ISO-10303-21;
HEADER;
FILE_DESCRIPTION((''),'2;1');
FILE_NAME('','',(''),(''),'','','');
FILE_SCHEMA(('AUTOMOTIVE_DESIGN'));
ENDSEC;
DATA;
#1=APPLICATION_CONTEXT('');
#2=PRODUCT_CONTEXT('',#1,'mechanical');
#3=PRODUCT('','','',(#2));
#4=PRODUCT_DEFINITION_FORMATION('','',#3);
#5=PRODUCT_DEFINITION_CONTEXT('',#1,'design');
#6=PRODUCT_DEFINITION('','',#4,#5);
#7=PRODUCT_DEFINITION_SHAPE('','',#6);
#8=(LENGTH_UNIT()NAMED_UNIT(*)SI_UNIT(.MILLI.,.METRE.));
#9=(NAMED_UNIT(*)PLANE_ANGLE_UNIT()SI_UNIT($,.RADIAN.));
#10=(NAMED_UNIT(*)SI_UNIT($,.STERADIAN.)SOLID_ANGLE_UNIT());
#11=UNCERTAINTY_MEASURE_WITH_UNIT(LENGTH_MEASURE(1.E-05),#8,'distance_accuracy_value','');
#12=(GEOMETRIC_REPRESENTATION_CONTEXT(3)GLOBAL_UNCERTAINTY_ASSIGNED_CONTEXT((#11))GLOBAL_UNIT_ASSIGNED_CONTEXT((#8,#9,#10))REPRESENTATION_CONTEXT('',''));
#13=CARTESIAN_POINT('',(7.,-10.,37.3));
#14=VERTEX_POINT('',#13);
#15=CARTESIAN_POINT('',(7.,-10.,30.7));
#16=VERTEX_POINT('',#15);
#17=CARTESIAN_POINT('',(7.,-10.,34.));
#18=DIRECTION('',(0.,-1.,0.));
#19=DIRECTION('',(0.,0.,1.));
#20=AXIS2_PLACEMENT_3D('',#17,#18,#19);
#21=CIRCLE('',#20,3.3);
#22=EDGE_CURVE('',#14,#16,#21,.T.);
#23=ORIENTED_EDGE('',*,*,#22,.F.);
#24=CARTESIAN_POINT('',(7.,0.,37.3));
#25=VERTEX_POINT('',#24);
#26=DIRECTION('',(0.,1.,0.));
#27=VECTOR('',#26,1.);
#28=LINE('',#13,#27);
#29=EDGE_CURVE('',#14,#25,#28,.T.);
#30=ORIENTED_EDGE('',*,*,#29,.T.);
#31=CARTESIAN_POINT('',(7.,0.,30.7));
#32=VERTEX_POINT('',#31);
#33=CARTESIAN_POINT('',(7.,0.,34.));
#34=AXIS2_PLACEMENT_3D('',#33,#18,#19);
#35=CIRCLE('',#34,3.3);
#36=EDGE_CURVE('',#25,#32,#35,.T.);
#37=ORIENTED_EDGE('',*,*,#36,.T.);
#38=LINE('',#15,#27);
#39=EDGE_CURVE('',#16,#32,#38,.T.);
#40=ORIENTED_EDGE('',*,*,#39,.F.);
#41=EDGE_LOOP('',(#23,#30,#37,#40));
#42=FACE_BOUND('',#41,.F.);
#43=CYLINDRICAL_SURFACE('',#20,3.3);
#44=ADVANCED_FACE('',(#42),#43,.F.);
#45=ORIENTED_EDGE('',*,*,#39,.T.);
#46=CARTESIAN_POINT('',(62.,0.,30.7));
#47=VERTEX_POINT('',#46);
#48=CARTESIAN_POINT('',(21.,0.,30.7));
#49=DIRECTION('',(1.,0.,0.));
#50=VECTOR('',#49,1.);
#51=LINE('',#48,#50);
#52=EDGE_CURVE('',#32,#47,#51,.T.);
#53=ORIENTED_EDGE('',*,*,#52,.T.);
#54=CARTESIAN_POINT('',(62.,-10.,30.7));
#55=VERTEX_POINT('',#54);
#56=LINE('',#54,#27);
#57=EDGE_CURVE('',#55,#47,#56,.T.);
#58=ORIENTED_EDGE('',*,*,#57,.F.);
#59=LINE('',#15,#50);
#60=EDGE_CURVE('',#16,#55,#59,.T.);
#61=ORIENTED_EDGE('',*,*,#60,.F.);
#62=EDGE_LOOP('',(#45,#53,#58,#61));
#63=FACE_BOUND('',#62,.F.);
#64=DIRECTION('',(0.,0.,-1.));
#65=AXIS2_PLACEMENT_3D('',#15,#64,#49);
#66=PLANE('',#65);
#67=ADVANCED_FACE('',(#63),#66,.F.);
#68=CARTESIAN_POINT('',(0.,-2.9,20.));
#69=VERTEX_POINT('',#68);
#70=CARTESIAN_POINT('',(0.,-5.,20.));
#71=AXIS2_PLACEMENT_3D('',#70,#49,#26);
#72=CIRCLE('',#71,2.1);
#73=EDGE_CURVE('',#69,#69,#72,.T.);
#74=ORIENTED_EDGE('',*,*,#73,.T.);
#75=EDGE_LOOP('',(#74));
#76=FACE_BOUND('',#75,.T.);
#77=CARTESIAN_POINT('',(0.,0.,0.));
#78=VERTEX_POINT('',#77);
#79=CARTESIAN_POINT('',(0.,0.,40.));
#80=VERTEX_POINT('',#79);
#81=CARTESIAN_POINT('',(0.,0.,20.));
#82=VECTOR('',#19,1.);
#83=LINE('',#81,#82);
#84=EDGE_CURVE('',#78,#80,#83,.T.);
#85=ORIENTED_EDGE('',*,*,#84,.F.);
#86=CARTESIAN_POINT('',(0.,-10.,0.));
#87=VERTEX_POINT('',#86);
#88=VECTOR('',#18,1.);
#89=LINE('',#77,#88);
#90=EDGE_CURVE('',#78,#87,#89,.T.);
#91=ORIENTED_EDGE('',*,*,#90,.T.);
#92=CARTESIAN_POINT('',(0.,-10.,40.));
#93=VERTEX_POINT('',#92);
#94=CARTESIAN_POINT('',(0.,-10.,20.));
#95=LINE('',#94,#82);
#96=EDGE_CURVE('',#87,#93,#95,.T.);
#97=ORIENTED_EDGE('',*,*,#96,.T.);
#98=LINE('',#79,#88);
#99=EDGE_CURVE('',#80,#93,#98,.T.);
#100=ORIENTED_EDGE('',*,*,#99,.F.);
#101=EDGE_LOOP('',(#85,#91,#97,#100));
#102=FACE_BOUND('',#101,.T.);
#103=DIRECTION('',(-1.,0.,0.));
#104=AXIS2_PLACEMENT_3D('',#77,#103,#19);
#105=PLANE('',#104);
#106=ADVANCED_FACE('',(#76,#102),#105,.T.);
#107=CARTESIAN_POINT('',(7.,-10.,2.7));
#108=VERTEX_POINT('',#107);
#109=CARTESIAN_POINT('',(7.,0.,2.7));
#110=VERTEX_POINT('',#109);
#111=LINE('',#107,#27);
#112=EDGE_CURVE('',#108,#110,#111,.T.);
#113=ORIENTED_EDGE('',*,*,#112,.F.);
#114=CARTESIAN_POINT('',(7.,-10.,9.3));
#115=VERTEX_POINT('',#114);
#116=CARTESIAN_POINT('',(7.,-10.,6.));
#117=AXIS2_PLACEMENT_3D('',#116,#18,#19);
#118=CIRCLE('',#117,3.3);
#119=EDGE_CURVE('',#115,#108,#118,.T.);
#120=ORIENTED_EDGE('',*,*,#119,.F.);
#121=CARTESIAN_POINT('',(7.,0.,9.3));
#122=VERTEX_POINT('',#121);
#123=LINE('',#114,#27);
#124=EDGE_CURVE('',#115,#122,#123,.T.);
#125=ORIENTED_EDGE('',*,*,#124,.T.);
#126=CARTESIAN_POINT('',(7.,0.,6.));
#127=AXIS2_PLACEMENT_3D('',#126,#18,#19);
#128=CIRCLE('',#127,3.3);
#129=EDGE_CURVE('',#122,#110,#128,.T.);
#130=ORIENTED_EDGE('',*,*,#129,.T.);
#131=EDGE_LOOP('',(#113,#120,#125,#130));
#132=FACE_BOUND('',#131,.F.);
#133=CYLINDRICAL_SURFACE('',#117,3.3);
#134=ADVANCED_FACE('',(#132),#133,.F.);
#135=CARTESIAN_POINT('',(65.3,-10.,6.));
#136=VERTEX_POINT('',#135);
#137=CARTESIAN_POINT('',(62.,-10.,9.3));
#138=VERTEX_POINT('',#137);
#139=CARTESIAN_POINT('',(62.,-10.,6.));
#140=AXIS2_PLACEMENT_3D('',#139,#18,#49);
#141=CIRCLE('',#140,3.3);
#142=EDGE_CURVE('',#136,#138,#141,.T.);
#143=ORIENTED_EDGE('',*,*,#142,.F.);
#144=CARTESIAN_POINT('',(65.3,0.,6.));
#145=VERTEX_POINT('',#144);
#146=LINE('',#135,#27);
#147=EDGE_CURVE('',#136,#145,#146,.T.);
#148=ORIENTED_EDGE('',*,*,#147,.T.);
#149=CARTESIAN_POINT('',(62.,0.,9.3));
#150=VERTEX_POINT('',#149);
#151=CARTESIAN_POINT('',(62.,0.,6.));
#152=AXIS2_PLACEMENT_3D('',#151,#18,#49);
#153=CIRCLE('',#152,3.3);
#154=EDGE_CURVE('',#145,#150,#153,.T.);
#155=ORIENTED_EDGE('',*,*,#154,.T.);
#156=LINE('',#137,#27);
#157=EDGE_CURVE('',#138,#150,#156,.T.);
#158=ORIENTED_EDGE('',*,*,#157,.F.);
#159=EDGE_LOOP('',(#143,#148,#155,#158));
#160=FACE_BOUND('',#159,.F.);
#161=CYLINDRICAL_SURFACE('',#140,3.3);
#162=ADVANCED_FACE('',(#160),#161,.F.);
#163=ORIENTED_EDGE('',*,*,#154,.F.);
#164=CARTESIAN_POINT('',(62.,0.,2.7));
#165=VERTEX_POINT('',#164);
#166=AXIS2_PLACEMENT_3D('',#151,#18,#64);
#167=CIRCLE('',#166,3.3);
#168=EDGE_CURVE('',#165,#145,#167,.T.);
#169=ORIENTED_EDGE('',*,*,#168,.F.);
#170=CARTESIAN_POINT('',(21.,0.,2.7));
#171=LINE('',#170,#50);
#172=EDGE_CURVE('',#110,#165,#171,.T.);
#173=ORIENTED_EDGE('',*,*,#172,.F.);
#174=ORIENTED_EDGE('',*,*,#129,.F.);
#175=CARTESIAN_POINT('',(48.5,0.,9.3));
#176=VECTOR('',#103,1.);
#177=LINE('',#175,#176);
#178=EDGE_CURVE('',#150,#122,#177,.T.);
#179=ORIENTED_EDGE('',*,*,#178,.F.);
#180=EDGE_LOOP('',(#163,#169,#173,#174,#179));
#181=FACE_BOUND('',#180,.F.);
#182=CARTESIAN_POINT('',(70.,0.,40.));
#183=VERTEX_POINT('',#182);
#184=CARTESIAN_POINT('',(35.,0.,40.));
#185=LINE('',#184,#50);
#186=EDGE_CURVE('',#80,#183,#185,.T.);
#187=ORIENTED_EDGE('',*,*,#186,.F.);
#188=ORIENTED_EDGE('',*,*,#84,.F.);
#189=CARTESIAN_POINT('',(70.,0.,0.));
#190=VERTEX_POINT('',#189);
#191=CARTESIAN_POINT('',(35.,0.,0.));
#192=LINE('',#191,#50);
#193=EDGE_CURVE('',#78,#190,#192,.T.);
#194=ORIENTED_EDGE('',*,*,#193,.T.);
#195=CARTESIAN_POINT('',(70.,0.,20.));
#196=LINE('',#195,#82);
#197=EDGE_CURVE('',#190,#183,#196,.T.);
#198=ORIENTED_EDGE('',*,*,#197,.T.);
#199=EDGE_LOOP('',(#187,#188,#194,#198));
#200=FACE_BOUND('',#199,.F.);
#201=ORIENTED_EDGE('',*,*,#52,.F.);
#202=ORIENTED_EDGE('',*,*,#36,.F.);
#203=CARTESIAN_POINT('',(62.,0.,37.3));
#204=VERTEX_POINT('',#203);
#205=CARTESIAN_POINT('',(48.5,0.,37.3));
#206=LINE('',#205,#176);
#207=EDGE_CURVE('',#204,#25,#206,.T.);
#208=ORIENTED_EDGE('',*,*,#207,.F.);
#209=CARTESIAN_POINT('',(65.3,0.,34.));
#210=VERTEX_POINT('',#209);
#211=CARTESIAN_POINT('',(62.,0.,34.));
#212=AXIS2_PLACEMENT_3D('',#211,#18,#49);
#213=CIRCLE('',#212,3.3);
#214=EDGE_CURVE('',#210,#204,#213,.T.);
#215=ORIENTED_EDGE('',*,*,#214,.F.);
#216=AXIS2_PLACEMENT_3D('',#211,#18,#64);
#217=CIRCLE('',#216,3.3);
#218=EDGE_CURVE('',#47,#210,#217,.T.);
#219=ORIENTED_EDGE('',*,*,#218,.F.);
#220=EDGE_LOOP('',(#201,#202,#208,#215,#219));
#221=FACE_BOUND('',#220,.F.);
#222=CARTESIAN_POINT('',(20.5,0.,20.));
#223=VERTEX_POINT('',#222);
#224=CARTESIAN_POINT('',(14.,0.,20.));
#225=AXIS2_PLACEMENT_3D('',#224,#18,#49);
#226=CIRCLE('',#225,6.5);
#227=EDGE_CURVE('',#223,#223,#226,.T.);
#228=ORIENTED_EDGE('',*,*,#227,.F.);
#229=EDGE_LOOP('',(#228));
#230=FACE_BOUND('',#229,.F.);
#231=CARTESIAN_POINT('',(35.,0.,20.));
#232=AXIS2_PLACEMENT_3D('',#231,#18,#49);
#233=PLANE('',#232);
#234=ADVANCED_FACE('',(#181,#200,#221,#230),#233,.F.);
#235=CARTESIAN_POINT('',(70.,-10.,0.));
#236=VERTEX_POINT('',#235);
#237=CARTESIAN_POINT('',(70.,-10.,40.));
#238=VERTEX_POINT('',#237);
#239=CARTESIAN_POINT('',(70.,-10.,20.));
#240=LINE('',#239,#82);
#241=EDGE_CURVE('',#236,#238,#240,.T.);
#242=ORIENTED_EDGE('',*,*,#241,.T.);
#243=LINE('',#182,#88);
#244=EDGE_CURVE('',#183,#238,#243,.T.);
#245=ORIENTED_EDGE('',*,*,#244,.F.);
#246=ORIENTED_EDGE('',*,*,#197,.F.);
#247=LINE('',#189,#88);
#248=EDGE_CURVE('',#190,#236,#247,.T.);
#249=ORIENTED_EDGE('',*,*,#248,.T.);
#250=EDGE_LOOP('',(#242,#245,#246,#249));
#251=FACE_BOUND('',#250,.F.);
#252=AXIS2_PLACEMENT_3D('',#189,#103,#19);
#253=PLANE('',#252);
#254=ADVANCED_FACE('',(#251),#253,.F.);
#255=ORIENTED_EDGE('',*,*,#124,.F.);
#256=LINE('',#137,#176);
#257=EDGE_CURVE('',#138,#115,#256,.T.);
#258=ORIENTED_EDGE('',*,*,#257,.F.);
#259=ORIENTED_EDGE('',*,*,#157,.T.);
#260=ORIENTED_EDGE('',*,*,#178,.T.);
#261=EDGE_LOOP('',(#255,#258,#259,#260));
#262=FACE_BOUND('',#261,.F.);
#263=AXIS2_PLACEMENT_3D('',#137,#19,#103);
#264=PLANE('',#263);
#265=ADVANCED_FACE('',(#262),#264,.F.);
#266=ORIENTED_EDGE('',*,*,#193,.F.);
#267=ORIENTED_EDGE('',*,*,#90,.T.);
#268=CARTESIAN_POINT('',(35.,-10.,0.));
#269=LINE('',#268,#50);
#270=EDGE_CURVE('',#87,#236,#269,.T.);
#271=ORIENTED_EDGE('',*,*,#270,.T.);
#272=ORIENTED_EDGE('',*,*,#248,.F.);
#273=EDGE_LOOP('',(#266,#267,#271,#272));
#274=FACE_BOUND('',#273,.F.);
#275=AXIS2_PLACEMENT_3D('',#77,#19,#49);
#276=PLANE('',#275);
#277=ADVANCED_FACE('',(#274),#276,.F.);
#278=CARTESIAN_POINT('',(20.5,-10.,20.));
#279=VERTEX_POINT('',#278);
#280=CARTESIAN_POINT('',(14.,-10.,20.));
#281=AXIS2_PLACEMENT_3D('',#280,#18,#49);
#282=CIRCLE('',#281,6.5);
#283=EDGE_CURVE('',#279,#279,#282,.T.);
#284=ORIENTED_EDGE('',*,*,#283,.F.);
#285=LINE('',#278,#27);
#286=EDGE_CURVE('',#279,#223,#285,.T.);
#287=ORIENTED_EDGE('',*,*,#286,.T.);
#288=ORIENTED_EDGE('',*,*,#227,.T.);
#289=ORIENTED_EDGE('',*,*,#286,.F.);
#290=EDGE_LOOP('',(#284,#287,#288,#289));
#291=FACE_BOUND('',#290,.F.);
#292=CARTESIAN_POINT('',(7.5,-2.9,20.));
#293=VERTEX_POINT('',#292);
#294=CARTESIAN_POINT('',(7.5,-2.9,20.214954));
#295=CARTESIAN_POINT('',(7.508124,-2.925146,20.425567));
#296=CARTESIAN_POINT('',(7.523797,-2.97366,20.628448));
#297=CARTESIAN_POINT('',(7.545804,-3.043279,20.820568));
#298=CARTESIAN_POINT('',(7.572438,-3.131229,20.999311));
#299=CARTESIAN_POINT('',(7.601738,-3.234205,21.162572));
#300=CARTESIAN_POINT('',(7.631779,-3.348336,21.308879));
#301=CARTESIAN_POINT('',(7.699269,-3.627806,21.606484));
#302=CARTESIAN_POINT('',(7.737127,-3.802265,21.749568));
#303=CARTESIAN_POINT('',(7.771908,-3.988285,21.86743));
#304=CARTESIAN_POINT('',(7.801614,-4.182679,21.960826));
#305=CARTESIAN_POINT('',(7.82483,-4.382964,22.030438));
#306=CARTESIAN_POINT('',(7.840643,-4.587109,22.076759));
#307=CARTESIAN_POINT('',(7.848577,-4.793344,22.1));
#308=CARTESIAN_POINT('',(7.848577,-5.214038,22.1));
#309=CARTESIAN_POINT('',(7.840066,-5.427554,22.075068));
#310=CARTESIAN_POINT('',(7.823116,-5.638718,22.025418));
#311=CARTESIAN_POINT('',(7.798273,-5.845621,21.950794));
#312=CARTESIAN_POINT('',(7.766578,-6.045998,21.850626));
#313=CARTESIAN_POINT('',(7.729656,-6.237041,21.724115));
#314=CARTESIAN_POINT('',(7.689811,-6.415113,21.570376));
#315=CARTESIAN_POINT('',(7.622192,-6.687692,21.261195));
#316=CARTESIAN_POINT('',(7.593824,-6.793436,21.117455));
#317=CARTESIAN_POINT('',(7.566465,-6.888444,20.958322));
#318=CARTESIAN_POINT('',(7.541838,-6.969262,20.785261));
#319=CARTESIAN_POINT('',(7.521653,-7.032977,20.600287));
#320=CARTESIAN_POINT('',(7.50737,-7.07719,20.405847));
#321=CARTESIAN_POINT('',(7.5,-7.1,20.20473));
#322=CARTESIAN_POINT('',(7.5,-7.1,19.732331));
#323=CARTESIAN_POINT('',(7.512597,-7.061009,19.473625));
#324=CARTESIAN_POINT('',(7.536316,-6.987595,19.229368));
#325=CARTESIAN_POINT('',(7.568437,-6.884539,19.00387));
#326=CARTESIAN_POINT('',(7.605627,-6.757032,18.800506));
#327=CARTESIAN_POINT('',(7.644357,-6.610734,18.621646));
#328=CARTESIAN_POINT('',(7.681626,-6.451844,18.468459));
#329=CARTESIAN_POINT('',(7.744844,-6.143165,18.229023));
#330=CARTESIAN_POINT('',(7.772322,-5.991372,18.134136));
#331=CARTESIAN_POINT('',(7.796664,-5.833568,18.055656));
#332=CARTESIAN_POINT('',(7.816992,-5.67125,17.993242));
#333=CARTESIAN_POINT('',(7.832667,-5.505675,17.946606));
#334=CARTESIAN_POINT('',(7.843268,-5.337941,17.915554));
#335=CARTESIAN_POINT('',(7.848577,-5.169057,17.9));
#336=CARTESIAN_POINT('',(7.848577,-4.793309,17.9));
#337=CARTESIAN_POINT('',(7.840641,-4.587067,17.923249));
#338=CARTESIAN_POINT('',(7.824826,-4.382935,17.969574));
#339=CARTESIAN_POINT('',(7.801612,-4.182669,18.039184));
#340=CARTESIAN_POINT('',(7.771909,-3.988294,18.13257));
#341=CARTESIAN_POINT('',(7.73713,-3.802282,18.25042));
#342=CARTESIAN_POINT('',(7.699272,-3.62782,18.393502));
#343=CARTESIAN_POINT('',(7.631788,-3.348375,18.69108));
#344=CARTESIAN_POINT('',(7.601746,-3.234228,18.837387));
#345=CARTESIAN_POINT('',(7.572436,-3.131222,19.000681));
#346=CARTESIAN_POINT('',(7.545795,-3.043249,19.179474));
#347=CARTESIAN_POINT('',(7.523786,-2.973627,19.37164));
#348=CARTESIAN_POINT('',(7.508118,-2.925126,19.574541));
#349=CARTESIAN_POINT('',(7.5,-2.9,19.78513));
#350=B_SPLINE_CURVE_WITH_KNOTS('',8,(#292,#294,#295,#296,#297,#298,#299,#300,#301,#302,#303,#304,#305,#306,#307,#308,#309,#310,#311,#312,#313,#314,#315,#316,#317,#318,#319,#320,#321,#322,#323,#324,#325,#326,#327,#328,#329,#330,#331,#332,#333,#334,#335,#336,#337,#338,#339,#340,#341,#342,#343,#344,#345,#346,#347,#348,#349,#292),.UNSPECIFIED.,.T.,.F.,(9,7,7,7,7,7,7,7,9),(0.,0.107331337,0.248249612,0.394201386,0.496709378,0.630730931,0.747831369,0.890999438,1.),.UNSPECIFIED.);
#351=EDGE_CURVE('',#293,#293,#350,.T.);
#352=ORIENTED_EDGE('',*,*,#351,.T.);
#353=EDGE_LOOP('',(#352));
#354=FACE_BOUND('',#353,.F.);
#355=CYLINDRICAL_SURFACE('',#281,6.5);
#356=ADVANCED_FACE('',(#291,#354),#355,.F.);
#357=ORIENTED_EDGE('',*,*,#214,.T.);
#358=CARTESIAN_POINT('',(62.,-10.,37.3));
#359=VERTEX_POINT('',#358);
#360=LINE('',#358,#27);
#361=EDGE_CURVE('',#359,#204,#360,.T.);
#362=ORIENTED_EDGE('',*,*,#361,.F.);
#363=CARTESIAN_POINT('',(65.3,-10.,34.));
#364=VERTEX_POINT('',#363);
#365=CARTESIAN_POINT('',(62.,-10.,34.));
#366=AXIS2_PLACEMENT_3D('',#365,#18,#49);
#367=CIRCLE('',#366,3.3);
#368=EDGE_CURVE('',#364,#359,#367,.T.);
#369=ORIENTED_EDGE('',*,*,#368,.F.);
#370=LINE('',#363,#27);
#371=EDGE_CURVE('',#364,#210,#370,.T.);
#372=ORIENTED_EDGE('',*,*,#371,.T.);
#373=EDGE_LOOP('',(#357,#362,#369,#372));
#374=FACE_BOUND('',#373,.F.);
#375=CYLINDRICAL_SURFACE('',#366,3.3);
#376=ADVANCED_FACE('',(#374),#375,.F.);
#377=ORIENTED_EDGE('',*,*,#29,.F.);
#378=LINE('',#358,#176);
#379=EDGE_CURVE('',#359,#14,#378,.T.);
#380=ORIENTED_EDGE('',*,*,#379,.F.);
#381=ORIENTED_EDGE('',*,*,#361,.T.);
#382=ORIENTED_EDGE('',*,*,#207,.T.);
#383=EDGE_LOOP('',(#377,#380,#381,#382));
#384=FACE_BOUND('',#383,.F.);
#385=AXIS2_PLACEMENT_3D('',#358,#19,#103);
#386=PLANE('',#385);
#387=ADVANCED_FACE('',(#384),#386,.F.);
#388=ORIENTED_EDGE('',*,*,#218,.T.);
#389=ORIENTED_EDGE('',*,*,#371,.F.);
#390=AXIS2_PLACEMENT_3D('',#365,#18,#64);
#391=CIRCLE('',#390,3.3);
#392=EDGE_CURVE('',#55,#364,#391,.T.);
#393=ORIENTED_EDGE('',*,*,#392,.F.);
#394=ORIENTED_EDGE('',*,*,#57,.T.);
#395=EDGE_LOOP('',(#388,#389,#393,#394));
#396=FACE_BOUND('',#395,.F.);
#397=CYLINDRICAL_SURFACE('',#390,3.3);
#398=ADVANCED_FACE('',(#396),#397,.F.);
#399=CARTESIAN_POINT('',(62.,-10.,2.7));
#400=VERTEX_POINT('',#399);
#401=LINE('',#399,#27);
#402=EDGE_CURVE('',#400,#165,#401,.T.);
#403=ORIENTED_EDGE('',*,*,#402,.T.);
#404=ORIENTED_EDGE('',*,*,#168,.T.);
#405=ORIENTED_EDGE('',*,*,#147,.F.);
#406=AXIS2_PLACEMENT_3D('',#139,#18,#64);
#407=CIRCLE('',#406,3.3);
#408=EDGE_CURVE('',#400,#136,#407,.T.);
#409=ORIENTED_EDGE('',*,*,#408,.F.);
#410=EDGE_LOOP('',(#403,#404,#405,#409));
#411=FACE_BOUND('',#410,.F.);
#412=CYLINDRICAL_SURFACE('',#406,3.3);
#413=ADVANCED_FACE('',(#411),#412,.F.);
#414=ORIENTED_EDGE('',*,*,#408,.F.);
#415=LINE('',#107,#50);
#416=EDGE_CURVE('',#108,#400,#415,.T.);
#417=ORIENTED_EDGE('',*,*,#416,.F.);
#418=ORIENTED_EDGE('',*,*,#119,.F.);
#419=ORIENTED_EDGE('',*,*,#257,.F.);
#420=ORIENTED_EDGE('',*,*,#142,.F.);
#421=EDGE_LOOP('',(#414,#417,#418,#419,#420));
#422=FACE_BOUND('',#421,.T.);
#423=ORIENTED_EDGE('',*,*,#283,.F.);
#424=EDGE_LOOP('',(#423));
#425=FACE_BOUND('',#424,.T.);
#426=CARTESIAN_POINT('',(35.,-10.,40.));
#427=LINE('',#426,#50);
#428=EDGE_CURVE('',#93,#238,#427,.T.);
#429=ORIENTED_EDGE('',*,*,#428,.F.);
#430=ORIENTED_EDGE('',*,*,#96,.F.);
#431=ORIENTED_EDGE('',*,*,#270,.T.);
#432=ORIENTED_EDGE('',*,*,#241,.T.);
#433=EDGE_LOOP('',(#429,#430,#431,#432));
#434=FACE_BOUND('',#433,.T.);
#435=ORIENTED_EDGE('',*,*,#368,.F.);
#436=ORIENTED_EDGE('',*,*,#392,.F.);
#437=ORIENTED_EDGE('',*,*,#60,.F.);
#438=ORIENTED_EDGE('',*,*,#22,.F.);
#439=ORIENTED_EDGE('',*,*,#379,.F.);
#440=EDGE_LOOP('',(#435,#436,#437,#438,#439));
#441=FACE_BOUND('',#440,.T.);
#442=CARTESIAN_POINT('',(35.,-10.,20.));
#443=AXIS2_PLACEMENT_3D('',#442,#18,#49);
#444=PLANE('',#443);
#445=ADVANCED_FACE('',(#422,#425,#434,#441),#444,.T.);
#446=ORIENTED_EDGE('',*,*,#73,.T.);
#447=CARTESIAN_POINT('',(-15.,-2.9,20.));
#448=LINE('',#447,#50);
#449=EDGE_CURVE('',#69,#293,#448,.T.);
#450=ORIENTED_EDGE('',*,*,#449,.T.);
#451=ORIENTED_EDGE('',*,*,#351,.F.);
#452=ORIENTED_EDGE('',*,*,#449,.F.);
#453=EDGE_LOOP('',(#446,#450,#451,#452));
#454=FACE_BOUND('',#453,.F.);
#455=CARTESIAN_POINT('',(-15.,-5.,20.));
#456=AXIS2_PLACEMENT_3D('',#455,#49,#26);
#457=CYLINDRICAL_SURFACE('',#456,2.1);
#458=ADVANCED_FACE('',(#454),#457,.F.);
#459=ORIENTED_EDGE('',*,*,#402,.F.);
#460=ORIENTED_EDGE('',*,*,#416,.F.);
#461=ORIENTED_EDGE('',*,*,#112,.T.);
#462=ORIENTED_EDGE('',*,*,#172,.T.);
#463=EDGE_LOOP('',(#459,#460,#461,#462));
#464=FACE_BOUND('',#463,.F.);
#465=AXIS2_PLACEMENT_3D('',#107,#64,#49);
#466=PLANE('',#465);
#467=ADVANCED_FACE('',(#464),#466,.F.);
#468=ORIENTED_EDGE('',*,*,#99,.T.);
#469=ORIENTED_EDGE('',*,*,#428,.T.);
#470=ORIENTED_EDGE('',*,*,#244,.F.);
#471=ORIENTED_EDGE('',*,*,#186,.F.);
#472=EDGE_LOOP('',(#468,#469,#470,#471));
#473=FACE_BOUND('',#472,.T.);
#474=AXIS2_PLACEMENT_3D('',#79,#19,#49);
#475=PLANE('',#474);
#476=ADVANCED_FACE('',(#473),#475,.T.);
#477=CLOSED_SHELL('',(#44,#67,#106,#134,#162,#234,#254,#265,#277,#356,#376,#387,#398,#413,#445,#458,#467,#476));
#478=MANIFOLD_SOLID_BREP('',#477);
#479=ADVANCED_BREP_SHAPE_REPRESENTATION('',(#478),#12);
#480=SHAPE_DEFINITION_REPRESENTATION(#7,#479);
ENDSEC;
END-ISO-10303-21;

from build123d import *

# Parameters (mm, degrees)
F0_W     = 70
F0_H     = 40
F1_DEPTH = 10
F2_R     = 6.5
F3_DEPTH = 25
F5_D     = 4.2
F5_DEPTH = 15
F5_TIP   = 1.2618073


with BuildPart() as f1:
    # F0 (on Front) → F1 (new body)
    with BuildSketch(Plane.XZ):
        with Locations((35, 20)):
            Rectangle(F0_W, F0_H)
    extrude(amount=F1_DEPTH)

    # F2 (on face) → F3 (cut)
    with BuildSketch(Plane.XZ.offset(10)):
        with BuildLine():
            Line((62, 30.7), (62, 37.3))
            ThreePointArc((62, 37.3), (58.7, 34), (62, 30.7))
        make_face()
        with BuildLine():
            ThreePointArc((62, 30.7), (64.3334523779, 31.6665476221), (65.3, 34))
            ThreePointArc((65.3, 34), (64.3334523779, 36.3334523779), (62, 37.3))
            Line((62, 37.3), (62, 30.7))
        make_face()
        with BuildLine():
            ThreePointArc((10.3, 34), (9.3334523779, 36.3334523779), (7, 37.3))
            ThreePointArc((7, 37.3), (3.7, 34), (7, 30.7))
            ThreePointArc((7, 30.7), (9.3334523779, 31.6665476221), (10.3, 34))
        make_face()
        with BuildLine():
            ThreePointArc((7, 2.7), (9.3334523779, 3.6665476221), (10.3, 6))
            ThreePointArc((10.3, 6), (9.3334523779, 8.3334523779), (7, 9.3))
            ThreePointArc((7, 9.3), (3.7, 6), (7, 2.7))
        make_face()
        with BuildLine():
            Line((62, 2.7), (62, 9.3))
            ThreePointArc((62, 9.3), (58.7, 6), (62, 2.7))
        make_face()
        with BuildLine():
            ThreePointArc((65.3, 6), (64.3334523779, 8.3334523779), (62, 9.3))
            Line((62, 9.3), (62, 2.7))
            ThreePointArc((62, 2.7), (64.3334523779, 3.6665476221), (65.3, 6))
        make_face()
        with BuildLine():
            ThreePointArc((62, 30.7), (58.7, 34), (62, 37.3))
            Line((62, 37.3), (7, 37.3))
            ThreePointArc((7, 37.3), (9.3334523779, 36.3334523779), (10.3, 34))
            ThreePointArc((10.3, 34), (9.3334523779, 31.6665476221), (7, 30.7))
            Line((7, 30.7), (62, 30.7))
        make_face()
        with BuildLine():
            ThreePointArc((7, 9.3), (9.3334523779, 8.3334523779), (10.3, 6))
            ThreePointArc((10.3, 6), (9.3334523779, 3.6665476221), (7, 2.7))
            Line((7, 2.7), (62, 2.7))
            ThreePointArc((62, 2.7), (58.7, 6), (62, 9.3))
            Line((62, 9.3), (7, 9.3))
        make_face()
        with Locations((14, 20)):
            Circle(F2_R)
    extrude(amount=-F3_DEPTH, mode=Mode.SUBTRACT)

    # F5
    with Locations(Plane(origin=(0, 0, 0), x_dir=(0, -1, 0), z_dir=(-1, 0, 0))):
        with Locations((5, 20)):
            Hole(F5_D / 2, depth=F5_DEPTH)
            with Locations((0, 0, -(F5_DEPTH + F5_TIP / 2))):  # 118° drill point
                Cone(0, F5_D / 2, F5_TIP, mode=Mode.SUBTRACT)


solid = f1.part
